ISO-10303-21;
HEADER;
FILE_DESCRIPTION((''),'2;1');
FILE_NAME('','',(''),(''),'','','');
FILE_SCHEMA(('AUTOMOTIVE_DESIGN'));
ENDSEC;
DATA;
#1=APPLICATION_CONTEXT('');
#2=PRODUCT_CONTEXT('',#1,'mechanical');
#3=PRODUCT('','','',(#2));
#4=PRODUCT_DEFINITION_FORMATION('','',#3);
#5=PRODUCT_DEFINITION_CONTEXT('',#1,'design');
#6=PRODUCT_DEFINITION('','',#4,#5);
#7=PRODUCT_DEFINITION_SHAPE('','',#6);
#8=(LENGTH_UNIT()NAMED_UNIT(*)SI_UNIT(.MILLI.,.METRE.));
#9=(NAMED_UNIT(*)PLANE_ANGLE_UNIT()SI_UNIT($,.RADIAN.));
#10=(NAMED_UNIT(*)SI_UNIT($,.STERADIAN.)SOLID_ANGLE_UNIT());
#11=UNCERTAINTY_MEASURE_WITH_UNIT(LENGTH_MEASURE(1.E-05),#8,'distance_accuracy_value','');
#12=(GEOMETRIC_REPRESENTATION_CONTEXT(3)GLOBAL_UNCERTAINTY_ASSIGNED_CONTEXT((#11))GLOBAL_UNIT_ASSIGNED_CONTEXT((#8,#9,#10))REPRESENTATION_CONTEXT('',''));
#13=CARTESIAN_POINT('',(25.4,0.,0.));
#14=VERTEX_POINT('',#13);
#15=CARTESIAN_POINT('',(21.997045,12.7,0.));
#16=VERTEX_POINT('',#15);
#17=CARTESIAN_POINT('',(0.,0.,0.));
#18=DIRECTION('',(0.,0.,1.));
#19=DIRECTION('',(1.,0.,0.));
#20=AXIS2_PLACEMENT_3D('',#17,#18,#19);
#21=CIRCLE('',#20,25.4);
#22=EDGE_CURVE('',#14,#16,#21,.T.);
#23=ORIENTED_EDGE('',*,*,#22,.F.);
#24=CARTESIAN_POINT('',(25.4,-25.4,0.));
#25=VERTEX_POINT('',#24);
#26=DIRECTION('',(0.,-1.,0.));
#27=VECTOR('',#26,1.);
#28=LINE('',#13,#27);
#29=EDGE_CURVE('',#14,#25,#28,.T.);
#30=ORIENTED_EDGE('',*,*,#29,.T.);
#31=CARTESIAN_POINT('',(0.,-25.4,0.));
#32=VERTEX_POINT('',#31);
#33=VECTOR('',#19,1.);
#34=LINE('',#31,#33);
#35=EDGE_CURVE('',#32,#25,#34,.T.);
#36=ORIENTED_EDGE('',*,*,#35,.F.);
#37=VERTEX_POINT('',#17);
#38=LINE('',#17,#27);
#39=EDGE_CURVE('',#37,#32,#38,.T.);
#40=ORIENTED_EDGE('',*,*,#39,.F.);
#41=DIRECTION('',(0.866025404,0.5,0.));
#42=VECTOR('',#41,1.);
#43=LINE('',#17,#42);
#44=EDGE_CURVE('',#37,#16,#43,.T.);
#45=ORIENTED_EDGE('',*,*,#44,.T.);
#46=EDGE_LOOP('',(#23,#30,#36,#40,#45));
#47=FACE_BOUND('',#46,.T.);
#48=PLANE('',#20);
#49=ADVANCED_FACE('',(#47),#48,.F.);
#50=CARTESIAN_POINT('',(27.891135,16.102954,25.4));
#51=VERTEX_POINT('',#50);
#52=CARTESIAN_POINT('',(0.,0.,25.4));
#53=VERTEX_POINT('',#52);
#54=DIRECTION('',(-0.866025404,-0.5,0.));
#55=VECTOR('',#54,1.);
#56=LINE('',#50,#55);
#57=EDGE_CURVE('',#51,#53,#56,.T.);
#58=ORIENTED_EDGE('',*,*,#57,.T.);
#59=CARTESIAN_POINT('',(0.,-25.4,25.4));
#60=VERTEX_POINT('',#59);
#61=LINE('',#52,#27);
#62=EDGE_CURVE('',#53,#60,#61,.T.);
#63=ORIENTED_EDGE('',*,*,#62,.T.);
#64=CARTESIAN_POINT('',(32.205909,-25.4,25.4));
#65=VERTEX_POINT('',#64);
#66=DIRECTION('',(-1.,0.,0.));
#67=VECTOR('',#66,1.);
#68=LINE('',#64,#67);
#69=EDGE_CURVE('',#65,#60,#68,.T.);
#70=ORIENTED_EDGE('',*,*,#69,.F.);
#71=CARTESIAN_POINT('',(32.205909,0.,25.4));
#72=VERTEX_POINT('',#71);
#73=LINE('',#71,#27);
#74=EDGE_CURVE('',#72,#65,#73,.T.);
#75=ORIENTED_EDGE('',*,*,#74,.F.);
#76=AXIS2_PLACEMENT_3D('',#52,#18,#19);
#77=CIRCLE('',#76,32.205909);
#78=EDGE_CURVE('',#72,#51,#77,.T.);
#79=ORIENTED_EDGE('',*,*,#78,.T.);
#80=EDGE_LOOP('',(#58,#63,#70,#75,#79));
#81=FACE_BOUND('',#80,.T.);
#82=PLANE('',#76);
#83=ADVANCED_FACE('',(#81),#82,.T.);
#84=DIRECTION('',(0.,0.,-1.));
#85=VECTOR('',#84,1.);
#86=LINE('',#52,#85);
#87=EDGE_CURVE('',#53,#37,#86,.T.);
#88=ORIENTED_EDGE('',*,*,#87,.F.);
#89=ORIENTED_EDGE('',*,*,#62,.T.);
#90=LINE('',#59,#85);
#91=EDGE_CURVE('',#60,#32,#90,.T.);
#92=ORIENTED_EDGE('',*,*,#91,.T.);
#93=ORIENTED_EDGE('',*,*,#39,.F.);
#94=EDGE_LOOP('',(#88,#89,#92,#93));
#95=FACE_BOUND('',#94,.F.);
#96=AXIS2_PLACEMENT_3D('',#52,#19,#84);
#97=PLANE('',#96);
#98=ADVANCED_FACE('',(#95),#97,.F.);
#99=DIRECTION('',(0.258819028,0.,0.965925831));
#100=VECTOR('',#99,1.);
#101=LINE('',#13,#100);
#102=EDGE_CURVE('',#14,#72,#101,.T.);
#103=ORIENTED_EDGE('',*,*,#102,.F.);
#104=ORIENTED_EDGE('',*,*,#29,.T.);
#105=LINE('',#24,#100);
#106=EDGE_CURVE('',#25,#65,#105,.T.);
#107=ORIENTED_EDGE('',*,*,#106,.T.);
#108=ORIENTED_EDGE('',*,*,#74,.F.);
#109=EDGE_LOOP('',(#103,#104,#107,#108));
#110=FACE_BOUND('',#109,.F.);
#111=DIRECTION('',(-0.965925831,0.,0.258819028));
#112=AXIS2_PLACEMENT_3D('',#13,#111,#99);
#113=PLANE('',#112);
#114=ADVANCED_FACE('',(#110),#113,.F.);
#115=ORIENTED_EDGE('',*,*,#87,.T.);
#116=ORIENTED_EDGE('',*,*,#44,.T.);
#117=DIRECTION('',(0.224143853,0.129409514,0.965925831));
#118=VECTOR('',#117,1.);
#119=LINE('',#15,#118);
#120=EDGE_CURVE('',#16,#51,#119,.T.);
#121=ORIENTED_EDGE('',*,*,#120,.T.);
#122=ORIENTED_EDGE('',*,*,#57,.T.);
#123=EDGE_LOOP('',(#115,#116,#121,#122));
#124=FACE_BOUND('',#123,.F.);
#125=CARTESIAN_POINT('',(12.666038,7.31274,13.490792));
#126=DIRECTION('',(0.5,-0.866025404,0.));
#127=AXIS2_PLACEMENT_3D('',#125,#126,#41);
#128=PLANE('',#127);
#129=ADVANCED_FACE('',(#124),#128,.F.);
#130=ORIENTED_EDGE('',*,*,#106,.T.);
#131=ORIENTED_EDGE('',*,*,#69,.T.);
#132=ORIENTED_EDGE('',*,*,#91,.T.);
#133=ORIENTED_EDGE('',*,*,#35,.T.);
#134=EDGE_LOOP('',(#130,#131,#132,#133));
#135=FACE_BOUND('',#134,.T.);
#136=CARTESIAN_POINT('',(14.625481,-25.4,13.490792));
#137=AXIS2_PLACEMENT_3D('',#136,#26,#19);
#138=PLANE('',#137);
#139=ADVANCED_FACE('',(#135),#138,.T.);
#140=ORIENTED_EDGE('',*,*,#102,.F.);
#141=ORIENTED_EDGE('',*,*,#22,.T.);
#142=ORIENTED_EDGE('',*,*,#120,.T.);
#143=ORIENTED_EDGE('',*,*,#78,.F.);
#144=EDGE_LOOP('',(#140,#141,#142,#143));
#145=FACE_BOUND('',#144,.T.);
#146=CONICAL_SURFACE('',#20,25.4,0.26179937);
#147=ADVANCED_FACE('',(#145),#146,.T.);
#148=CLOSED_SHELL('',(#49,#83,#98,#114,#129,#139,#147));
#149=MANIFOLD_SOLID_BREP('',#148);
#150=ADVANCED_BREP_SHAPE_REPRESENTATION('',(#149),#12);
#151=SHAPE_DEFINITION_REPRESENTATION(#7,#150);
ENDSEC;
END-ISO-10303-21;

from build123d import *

# Parameters (mm, degrees)
F1_DEPTH = 25.4
F2_ANGLE = 30


with BuildPart() as f1:
    # F0 (on Front) → F1 (new body)
    with BuildSketch(Plane.XZ):
        Polygon((0, 25.4), (0, 0), (25.4, 0), (32.205909, 25.4), align=None)
    extrude(amount=F1_DEPTH)

    # F0 (on Front) → F2 (revolve)
    with BuildSketch(Plane.XZ):
        Polygon((0, 25.4), (0, 0), (25.4, 0), (32.205909, 25.4), align=None)
    revolve(axis=Axis((0, 0, 12.7), (0, 0, 1)), revolution_arc=F2_ANGLE)


solid = f1.part
